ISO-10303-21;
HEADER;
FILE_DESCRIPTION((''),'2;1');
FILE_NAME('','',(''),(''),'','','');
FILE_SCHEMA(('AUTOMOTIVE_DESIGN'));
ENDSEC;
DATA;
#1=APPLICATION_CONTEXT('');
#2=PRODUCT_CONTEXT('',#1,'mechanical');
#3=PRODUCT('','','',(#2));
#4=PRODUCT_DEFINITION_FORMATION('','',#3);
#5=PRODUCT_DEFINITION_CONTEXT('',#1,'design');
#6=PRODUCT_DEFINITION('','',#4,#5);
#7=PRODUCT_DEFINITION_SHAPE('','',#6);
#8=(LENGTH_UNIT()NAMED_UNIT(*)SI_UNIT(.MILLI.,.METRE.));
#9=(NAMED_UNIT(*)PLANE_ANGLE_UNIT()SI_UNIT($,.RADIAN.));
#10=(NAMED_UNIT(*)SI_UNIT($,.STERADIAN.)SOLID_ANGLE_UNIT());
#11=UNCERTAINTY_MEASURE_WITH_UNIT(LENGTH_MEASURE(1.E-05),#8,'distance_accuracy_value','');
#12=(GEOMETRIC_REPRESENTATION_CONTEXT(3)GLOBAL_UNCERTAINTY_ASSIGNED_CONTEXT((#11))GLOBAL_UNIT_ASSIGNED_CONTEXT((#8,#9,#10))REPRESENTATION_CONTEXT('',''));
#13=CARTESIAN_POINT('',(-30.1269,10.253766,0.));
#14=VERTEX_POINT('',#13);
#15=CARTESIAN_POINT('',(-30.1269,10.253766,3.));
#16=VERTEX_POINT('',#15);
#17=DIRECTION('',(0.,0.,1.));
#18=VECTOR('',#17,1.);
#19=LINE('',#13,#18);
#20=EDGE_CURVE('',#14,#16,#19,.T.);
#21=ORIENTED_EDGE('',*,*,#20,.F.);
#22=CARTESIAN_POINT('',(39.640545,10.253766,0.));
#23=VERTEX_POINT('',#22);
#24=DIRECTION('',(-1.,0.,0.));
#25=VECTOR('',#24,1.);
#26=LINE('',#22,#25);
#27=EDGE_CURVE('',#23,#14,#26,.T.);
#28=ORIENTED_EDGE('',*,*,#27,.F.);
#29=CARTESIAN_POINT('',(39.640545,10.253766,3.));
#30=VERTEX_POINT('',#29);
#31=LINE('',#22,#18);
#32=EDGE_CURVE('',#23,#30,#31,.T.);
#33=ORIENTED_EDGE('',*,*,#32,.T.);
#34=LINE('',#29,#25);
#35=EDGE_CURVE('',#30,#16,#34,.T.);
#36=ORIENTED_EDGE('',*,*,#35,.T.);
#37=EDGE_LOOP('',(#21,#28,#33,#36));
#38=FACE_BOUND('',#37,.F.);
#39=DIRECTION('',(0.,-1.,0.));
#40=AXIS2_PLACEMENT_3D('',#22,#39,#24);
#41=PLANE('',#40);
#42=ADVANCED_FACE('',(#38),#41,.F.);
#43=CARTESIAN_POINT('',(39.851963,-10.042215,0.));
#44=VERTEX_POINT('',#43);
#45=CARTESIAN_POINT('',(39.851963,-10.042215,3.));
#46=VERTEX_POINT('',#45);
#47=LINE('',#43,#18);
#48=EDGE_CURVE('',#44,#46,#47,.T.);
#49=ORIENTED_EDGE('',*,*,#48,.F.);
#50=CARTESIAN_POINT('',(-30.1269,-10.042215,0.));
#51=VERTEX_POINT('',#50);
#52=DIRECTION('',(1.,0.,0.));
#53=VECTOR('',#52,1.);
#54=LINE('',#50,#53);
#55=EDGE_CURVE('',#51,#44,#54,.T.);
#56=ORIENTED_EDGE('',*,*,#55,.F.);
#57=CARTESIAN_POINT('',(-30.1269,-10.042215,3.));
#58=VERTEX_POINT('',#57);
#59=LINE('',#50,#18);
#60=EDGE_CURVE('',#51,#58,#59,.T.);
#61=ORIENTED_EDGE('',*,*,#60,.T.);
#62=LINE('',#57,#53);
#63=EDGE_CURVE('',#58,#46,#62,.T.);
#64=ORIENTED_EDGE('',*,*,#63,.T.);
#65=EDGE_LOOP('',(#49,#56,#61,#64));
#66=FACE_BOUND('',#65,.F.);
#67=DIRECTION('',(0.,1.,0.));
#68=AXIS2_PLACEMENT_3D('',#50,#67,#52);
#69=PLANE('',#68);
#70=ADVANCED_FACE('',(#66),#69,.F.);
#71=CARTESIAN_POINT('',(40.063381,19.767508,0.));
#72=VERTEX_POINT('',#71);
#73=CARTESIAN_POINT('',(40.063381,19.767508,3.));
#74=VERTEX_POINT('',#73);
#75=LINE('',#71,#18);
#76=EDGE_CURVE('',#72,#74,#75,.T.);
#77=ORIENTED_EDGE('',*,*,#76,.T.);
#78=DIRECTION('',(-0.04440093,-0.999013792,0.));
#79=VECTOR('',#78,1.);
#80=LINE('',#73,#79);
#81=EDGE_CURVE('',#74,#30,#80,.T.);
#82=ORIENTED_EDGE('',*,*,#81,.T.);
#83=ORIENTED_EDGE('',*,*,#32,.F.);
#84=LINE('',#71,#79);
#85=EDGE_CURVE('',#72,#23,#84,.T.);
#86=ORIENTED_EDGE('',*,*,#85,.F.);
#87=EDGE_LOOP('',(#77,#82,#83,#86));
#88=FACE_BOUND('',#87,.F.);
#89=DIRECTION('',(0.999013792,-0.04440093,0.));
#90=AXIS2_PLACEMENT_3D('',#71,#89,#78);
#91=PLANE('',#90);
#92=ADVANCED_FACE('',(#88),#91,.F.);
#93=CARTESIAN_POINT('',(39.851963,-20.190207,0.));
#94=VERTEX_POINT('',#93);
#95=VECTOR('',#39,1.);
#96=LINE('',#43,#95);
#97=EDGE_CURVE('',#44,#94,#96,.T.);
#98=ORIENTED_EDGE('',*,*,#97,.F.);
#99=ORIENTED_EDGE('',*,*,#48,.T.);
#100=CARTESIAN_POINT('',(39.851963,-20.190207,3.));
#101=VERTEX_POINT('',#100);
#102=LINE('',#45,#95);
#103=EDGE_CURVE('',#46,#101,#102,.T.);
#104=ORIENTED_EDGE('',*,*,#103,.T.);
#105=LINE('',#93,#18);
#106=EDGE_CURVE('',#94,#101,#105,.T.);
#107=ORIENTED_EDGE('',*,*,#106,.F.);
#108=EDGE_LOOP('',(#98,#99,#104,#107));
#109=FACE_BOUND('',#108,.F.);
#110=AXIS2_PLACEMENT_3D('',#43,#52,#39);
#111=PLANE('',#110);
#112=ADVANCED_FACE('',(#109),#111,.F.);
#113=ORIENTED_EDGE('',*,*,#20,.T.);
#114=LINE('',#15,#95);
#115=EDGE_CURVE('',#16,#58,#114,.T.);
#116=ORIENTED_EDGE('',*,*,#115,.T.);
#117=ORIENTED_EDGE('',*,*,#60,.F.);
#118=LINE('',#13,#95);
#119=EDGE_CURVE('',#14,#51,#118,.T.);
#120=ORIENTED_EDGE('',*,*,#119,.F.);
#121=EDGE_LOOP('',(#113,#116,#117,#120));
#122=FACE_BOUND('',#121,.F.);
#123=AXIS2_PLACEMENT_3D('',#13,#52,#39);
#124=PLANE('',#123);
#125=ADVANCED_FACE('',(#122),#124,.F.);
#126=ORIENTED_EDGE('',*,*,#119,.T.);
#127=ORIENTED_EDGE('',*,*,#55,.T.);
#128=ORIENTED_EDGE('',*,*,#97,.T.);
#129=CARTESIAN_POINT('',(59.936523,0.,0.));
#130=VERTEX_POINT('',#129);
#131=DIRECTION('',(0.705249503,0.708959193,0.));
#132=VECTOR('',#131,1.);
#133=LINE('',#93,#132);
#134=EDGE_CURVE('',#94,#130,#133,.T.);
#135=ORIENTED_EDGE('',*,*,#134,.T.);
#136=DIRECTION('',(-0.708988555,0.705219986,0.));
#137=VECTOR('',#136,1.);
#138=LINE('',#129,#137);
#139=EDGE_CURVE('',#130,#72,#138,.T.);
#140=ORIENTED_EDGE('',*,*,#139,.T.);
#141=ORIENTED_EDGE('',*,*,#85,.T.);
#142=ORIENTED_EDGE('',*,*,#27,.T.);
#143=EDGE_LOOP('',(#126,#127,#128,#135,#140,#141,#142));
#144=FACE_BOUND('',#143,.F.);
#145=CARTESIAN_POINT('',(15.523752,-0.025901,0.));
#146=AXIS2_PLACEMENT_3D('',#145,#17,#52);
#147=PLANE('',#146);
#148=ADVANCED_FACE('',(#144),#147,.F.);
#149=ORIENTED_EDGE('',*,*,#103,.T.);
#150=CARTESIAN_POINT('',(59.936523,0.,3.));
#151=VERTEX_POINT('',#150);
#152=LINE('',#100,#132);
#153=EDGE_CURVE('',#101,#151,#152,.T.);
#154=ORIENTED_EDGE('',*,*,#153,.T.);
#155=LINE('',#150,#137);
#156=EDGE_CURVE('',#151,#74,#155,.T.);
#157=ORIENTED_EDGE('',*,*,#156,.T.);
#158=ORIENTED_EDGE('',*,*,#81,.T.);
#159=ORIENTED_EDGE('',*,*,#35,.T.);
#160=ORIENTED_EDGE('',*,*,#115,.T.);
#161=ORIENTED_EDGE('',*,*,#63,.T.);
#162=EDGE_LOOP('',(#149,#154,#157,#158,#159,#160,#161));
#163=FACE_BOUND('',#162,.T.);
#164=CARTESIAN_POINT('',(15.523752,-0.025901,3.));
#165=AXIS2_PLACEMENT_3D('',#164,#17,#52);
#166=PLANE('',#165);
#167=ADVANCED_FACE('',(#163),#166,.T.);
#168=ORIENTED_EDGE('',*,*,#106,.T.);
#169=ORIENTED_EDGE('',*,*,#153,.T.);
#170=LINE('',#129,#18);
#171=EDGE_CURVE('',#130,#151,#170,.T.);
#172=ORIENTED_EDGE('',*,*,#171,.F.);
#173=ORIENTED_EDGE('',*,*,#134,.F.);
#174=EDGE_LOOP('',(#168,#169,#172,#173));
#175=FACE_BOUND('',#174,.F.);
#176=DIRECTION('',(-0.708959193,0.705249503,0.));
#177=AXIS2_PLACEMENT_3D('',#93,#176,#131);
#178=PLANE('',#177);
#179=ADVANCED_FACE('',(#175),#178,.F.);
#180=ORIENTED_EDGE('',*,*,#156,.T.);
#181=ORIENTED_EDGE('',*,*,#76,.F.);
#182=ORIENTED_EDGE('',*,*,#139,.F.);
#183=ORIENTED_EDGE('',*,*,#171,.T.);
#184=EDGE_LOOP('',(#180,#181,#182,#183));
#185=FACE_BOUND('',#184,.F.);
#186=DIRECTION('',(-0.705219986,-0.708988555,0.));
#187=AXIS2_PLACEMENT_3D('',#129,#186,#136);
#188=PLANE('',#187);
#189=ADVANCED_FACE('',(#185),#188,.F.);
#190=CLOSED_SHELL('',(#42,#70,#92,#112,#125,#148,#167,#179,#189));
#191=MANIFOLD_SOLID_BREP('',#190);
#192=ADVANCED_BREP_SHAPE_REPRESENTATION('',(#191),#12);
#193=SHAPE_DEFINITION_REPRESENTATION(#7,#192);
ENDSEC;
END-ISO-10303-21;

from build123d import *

# Parameters (mm, degrees)
PAD_DEPTH = 3


with BuildPart() as part:
    # Sketch → Pad (new body)
    with BuildSketch(Plane.XY):
        Polygon((-30.1269, 10.253766), (-30.1269, -10.042215), (39.851963, -10.042215), (39.851963, -20.190207), (59.936523, 0), (40.063381, 19.767508), (39.640545, 10.253766), align=None)
    extrude(amount=PAD_DEPTH)


solid = part.part
